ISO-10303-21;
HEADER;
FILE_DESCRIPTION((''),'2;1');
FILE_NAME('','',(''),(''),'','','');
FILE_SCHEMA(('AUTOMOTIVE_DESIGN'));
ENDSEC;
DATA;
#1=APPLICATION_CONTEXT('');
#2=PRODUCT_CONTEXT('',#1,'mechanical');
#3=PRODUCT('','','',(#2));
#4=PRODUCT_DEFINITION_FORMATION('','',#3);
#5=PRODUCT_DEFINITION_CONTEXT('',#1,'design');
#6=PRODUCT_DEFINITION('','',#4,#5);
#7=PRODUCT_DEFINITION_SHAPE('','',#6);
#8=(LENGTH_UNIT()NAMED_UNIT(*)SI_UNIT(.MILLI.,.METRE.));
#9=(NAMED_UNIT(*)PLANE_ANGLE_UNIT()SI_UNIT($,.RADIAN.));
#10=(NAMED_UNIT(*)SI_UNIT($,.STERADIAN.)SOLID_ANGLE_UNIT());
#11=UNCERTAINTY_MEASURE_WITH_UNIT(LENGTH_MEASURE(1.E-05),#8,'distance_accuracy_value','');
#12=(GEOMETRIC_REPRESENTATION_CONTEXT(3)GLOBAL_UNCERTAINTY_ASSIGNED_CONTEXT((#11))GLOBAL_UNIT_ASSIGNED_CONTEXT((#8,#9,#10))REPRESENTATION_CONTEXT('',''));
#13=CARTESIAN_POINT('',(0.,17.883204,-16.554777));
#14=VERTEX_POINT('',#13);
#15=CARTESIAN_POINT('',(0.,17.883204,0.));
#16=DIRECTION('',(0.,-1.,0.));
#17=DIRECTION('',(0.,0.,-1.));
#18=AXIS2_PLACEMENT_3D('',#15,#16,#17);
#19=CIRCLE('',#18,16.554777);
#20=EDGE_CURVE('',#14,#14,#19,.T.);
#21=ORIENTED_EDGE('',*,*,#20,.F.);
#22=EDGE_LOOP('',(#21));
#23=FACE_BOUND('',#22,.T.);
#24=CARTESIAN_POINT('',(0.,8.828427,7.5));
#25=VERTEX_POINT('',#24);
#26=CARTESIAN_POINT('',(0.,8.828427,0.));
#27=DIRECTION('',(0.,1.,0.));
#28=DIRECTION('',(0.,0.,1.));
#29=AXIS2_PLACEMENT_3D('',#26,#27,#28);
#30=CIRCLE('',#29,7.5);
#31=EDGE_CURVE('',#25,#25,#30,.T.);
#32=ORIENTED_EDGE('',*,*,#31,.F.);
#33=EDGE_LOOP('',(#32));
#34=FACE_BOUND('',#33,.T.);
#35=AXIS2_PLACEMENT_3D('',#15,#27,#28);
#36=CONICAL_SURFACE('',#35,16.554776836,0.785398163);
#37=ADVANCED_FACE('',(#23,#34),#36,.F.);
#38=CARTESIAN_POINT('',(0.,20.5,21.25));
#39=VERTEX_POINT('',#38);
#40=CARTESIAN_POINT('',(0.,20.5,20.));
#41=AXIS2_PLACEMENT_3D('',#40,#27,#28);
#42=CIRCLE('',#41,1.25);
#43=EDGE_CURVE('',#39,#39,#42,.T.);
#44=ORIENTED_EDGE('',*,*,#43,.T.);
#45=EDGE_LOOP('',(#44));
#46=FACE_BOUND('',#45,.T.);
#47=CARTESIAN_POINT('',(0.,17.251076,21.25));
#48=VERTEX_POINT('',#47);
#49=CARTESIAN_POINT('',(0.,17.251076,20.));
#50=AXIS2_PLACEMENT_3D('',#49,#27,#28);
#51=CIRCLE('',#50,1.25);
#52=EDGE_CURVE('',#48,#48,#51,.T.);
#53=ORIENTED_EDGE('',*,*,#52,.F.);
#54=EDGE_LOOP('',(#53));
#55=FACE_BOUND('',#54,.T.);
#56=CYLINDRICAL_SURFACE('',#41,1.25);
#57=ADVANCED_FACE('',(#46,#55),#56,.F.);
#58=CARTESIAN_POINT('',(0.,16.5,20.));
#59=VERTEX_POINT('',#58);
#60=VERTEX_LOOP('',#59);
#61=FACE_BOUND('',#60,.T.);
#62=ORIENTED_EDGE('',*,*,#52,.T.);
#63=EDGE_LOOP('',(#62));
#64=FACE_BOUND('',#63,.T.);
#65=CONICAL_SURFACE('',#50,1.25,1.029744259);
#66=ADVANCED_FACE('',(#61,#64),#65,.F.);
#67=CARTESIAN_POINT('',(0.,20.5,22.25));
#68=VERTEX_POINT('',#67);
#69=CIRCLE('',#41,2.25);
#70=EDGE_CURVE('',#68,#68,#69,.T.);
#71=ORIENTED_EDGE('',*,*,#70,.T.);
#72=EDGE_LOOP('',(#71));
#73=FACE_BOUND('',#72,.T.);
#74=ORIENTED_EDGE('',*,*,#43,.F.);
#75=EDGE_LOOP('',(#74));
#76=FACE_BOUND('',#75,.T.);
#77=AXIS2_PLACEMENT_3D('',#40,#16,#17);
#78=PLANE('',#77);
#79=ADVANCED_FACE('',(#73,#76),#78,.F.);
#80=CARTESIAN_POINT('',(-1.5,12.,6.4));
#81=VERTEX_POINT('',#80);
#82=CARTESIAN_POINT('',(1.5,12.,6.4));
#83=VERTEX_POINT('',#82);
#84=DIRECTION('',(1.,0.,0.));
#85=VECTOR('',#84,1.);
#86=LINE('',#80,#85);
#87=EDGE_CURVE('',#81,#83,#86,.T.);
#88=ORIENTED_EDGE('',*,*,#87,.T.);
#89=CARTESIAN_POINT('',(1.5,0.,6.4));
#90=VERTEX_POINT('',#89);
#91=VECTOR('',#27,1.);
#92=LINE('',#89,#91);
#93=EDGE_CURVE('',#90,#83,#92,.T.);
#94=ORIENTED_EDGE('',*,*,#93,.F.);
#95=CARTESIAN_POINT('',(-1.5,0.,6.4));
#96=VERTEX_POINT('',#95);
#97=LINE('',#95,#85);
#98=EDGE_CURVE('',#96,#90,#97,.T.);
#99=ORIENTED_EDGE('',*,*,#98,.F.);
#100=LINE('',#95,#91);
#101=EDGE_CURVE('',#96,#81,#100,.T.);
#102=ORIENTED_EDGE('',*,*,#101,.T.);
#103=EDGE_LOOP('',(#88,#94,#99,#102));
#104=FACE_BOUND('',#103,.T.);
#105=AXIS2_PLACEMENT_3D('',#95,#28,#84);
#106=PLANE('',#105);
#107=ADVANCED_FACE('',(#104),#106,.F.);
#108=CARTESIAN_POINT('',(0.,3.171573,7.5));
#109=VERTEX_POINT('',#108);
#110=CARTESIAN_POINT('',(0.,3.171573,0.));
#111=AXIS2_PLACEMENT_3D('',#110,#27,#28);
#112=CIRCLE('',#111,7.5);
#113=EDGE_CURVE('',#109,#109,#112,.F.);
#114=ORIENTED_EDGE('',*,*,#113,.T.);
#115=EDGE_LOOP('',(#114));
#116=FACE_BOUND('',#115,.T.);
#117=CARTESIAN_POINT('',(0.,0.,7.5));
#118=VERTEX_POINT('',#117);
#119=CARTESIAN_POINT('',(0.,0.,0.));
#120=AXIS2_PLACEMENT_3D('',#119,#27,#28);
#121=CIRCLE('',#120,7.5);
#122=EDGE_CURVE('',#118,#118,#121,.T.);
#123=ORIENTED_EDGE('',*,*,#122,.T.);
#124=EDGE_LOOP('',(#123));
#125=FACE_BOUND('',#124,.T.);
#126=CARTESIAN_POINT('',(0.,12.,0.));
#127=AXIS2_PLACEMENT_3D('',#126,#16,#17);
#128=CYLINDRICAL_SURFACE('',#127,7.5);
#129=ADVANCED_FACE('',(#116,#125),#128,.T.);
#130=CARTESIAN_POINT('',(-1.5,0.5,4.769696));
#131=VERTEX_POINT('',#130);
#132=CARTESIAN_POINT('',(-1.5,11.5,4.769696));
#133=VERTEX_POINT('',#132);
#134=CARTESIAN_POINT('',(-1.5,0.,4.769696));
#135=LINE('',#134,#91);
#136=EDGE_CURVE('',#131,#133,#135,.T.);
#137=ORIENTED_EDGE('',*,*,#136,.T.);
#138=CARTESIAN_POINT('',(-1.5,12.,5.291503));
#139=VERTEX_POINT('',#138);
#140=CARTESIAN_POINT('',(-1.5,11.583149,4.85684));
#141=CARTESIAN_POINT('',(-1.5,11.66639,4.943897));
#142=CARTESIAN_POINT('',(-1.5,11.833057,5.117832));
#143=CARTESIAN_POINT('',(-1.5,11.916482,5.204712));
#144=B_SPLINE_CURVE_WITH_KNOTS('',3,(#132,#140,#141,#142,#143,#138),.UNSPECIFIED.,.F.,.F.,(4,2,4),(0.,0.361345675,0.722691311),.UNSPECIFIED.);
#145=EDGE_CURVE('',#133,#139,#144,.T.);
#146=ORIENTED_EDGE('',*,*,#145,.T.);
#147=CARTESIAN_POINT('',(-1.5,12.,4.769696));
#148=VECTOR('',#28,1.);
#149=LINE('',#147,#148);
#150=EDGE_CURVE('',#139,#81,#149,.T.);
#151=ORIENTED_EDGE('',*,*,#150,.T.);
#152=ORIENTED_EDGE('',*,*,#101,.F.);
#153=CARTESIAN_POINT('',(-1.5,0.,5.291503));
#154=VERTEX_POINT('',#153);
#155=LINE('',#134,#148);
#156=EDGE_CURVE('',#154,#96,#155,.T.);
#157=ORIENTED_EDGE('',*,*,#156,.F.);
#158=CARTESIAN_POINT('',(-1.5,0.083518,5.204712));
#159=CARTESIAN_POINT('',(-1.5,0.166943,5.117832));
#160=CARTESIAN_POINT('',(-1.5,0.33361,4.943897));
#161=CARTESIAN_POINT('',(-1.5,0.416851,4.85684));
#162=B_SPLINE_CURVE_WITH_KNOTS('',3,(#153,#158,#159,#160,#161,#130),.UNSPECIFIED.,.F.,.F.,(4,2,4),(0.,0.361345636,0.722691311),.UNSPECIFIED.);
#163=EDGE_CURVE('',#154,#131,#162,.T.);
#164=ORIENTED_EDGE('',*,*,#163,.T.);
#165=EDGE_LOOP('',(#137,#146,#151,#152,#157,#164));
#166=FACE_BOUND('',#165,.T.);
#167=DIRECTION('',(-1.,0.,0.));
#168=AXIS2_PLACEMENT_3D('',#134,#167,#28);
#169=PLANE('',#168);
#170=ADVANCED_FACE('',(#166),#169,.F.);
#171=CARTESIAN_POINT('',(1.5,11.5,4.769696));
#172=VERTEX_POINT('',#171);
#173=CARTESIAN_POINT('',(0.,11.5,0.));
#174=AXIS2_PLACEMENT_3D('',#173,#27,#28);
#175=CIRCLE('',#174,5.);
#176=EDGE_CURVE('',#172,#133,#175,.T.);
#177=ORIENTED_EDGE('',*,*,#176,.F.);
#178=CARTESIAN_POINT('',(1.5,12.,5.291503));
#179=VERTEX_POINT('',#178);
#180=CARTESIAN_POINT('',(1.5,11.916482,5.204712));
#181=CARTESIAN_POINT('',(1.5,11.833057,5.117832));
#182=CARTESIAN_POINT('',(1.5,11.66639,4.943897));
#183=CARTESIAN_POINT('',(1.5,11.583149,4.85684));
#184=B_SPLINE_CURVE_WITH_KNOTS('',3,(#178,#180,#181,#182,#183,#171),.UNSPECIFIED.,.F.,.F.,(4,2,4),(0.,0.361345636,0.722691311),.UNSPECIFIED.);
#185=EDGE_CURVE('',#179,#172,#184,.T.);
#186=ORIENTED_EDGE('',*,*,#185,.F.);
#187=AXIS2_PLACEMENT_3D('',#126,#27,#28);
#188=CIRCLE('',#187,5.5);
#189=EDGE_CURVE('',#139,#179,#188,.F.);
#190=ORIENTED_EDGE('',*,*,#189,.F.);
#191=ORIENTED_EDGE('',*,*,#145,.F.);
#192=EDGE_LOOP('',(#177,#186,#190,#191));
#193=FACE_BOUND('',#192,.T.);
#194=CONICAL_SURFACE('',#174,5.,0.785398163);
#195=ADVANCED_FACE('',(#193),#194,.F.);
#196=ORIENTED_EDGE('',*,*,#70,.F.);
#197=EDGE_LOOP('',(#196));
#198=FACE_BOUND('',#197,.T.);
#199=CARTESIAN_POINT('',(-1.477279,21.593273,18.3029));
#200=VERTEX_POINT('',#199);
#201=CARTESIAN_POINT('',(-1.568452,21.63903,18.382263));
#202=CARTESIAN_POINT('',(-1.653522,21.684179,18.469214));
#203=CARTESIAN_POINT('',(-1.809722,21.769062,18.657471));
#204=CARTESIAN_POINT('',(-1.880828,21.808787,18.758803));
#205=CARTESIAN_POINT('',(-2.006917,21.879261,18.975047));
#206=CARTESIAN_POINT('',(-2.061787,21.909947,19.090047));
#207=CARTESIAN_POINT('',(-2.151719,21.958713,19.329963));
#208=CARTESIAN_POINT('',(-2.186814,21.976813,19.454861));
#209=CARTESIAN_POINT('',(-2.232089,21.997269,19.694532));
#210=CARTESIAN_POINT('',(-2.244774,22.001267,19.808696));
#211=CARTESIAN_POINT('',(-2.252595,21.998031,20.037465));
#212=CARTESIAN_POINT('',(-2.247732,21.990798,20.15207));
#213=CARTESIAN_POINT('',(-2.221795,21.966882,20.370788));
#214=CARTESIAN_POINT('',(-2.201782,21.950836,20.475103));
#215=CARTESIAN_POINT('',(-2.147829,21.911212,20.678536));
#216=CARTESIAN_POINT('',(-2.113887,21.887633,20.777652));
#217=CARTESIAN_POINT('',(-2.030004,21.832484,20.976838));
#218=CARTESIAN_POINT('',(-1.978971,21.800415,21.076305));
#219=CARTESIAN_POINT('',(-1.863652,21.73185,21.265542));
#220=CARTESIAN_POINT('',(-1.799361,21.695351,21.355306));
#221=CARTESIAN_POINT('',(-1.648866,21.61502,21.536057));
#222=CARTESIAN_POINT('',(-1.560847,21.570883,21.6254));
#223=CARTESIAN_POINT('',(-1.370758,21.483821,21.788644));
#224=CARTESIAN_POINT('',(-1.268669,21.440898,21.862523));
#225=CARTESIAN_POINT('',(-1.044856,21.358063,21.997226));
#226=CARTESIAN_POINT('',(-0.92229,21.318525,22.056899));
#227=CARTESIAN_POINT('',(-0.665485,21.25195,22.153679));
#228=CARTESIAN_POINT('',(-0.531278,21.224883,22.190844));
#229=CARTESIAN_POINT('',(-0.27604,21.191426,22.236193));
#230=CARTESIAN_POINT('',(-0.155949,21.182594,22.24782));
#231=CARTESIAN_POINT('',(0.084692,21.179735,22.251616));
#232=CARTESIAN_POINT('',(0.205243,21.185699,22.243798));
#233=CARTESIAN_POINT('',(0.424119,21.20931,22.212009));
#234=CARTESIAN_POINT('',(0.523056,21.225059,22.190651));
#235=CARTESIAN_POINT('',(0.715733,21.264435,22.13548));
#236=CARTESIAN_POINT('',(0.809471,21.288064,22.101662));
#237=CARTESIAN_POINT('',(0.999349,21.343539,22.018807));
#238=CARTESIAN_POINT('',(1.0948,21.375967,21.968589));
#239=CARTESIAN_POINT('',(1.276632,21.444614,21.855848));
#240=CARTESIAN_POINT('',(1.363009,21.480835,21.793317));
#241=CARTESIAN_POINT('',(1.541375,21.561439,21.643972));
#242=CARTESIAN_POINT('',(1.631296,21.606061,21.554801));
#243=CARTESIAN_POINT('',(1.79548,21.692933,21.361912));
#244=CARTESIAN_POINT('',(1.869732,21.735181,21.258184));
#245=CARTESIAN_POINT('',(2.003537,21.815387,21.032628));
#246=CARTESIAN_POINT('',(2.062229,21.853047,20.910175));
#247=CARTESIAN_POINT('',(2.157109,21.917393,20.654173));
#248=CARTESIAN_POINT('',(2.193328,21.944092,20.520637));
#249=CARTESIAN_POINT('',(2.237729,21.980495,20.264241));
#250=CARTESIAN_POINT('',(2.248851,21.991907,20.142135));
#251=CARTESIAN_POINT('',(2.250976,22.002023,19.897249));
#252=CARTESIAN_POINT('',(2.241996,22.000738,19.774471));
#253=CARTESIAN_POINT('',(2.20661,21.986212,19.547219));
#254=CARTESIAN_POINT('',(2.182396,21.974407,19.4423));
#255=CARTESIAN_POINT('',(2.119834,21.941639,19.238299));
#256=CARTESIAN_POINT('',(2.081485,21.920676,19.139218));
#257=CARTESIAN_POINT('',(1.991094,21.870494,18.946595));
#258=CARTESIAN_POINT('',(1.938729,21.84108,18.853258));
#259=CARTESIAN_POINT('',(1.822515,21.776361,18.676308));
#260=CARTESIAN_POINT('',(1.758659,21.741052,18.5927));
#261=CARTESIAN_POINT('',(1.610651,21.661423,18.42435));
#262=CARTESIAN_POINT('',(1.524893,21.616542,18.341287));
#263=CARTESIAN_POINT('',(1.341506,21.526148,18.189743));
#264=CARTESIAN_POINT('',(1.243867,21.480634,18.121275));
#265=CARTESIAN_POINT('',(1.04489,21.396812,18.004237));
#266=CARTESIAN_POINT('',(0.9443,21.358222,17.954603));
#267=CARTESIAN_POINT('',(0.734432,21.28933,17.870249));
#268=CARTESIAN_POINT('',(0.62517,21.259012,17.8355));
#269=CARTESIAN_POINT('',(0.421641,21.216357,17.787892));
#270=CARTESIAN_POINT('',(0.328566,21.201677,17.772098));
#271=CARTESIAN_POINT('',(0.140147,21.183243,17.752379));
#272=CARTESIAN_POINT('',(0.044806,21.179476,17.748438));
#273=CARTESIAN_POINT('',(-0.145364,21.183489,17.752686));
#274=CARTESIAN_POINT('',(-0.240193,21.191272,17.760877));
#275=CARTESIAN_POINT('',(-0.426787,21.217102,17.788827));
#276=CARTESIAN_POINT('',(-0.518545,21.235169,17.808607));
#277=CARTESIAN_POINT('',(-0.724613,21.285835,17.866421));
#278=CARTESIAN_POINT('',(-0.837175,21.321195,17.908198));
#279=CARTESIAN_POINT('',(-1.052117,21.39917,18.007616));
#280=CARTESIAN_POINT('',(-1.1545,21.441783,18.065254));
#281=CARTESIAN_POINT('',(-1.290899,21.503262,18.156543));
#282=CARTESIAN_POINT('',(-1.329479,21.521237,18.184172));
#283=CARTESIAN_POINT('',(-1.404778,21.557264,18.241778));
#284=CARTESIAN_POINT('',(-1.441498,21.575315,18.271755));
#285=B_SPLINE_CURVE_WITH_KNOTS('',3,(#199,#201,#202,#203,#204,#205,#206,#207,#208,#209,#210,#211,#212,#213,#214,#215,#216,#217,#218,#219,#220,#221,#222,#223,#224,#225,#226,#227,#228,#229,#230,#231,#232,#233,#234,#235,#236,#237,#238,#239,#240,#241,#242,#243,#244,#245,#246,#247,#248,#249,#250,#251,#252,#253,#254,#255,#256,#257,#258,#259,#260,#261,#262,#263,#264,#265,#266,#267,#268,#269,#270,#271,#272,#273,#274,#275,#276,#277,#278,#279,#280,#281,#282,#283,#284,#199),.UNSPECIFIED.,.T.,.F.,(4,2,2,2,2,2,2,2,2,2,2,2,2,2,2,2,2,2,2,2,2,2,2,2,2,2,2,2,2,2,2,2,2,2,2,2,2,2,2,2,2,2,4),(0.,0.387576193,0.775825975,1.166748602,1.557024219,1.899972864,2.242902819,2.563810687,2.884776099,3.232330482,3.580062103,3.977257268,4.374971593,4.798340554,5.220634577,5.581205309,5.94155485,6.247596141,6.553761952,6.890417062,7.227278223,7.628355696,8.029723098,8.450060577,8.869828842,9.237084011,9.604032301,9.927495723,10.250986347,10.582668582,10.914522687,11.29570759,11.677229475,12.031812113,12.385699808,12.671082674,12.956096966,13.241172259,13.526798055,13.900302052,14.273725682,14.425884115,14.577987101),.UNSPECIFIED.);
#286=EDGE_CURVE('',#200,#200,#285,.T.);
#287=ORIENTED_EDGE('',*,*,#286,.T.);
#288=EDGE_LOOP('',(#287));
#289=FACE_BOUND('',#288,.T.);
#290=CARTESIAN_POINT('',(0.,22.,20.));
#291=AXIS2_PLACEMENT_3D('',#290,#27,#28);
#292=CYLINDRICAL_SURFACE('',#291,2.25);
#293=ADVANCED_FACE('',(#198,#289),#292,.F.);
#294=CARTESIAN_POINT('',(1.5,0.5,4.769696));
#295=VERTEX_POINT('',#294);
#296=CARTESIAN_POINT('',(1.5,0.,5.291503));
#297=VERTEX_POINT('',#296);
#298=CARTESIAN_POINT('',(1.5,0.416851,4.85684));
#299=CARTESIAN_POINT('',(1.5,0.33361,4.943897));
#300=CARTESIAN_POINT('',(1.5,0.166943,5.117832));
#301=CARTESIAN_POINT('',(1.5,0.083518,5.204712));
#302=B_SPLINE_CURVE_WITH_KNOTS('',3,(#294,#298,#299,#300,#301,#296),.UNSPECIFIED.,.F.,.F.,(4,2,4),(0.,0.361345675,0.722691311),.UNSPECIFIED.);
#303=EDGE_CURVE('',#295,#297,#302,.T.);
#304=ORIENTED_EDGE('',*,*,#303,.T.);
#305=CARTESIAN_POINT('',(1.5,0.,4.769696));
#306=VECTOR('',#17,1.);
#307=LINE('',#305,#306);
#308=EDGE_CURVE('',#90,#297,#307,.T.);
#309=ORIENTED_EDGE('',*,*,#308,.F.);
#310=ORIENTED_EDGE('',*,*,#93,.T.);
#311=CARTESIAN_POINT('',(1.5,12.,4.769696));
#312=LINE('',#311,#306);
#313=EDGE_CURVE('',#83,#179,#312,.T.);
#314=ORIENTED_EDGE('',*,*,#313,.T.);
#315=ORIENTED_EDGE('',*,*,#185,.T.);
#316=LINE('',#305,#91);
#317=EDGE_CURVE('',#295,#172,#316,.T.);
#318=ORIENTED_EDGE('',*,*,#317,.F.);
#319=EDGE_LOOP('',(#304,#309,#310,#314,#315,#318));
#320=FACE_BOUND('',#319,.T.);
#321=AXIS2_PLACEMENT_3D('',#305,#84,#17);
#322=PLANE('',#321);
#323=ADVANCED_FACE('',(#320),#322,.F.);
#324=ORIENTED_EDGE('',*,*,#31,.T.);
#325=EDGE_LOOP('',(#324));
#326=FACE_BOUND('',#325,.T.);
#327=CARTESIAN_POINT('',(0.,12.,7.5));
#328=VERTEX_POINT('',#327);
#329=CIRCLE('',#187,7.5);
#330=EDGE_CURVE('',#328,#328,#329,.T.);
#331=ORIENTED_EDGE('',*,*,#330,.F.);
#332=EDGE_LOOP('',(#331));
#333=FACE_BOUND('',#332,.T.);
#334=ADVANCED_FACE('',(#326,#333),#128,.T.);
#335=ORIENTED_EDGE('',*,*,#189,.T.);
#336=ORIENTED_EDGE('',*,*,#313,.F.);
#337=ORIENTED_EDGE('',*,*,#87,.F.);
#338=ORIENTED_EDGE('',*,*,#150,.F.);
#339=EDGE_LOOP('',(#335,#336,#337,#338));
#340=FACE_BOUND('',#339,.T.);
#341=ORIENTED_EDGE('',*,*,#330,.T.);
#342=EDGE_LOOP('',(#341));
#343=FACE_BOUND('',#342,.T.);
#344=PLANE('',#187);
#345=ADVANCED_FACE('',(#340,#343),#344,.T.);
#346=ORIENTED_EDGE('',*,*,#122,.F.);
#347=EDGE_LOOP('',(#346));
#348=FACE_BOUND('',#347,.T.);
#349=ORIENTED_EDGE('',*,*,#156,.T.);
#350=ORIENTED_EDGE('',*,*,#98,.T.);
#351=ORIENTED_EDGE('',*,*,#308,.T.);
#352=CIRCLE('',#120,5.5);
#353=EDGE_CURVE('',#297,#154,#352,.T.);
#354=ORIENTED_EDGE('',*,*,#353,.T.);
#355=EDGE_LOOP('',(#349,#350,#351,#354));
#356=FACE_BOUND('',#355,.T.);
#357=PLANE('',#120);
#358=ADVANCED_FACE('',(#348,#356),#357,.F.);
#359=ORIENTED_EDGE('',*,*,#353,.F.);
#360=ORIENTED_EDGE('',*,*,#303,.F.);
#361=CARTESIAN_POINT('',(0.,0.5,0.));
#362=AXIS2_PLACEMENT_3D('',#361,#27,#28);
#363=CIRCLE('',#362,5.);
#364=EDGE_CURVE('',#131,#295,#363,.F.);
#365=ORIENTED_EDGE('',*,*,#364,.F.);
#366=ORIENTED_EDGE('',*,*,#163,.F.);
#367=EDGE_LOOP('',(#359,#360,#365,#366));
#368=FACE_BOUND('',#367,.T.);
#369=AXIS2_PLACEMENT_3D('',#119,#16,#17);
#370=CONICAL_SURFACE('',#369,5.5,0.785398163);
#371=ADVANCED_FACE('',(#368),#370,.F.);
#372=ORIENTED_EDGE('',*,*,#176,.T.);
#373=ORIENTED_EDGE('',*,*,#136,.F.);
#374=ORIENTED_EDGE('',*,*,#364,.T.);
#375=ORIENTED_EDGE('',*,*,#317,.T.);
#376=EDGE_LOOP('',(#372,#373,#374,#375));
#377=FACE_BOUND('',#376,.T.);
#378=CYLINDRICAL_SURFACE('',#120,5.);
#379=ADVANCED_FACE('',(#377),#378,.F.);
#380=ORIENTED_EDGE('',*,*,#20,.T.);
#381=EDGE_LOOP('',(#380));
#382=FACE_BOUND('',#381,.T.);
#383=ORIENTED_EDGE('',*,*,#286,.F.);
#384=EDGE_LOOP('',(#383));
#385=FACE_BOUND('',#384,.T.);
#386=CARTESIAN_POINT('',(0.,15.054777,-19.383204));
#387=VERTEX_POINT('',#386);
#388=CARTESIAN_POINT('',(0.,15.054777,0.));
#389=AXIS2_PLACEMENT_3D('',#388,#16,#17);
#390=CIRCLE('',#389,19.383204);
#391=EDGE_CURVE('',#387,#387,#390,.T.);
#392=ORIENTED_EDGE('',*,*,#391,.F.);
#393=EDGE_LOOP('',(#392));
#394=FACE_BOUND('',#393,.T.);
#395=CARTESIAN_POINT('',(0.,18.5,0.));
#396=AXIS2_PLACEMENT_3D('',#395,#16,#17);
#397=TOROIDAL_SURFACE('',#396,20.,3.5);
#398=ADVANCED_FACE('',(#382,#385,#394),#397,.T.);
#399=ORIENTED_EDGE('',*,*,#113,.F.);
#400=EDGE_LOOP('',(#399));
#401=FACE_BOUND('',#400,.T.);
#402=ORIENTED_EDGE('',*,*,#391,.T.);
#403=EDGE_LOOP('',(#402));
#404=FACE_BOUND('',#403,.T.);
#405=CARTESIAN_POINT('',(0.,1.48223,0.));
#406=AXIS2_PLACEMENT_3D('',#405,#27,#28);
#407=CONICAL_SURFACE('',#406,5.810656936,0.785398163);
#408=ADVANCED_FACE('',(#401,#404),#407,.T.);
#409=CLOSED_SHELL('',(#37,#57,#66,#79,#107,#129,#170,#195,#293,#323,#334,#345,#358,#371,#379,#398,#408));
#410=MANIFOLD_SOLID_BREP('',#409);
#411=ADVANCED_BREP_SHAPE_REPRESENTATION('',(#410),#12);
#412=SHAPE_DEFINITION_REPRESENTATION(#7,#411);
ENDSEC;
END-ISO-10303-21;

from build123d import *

# Parameters (mm, degrees)
SKETCH_1_R             = 7.5
EXTRUDE_1_DEPTH        = 12
CUT_EXTRUDE_1_DEPTH    = 36.334119621
CHAMFER_1_SIZE         = 0.5
HOLE_WIZARD_1_D        = 4.5
HOLE_WIZARD_1_DEPTH    = 1.5
HOLE_WIZARD_M3_1_D     = 2.5
HOLE_WIZARD_M3_1_DEPTH = 3.248924226
HOLE_WIZARD_M3_1_TIP   = 0.751075774


with BuildPart() as part:
    # 草图1 → 凸台-拉伸1 (new body)
    with BuildSketch(Plane(origin=(0, 0, 0), x_dir=(1, 0, 0), z_dir=(0, 1, 0))):
        with Locations(Location((0, 0, 0), (0, 0, 270))):
            Circle(SKETCH_1_R)
    extrude(amount=EXTRUDE_1_DEPTH)

    # 草图2 → 旋转1 (revolve)
    with BuildSketch(Plane.XY, mode=Mode.PRIVATE) as revolve_1_sk:
        with BuildLine():
            Line((2.982229812, 4.310656936), (5.810656936, 1.482229812))
            Line((5.810656936, 1.482229812), (19.383203961, 15.054776836))
            ThreePointArc((19.383203961, 15.054776836), (22.474873734, 20.974873734), (16.554776836, 17.883203961))
            Line((16.554776836, 17.883203961), (2.982229812, 4.310656936))
        make_face()
    revolve(revolve_1_sk.sketch.rotate(Axis((0, 0, 0), (0, 1, 0)), 270), axis=Axis((0, 0, 0), (0, 1, 0)))

    # 草图3 → 切除-拉伸1 (cut, through all)
    with BuildSketch(Plane(origin=(0, 12, 0), x_dir=(1, 0, 0), z_dir=(0, 1, 0))):
        with BuildLine():
            Line((-1.5, -4.769696007), (-1.5, -6.4))
            Line((-1.5, -6.4), (1.5, -6.4))
            Line((1.5, -6.4), (1.5, -4.769696007))
            ThreePointArc((1.5, -4.769696007), (0, 5), (-1.5, -4.769696007))
        make_face()
    extrude(amount=-CUT_EXTRUDE_1_DEPTH, mode=Mode.SUBTRACT)

    # 倒角1
    chamfer_1_edges = [part.edges().sort_by_distance(p)[0] for p in [
        (0, 0, -5),
        (0, 12, -5),
    ]]
    chamfer(chamfer_1_edges, length=CHAMFER_1_SIZE)

    # 孔1
    with Locations(Plane(origin=(0, 22, 20), x_dir=(0, 0, 1), z_dir=(0, 1, 0))):
        with Locations((0, 0)):
            Hole(HOLE_WIZARD_1_D / 2, depth=HOLE_WIZARD_1_DEPTH)

    # M3 螺纹孔1
    with Locations(Plane(origin=(0, 20.5, 0), x_dir=(1, 0, 0), z_dir=(0, 1, 0))):
        with Locations((0, -20), (0, 0)):
            Hole(HOLE_WIZARD_M3_1_D / 2, depth=HOLE_WIZARD_M3_1_DEPTH)
            with Locations((0, 0, -(HOLE_WIZARD_M3_1_DEPTH + HOLE_WIZARD_M3_1_TIP / 2))):  # 118° drill point
                Cone(0, HOLE_WIZARD_M3_1_D / 2, HOLE_WIZARD_M3_1_TIP, mode=Mode.SUBTRACT)


solid = part.part
